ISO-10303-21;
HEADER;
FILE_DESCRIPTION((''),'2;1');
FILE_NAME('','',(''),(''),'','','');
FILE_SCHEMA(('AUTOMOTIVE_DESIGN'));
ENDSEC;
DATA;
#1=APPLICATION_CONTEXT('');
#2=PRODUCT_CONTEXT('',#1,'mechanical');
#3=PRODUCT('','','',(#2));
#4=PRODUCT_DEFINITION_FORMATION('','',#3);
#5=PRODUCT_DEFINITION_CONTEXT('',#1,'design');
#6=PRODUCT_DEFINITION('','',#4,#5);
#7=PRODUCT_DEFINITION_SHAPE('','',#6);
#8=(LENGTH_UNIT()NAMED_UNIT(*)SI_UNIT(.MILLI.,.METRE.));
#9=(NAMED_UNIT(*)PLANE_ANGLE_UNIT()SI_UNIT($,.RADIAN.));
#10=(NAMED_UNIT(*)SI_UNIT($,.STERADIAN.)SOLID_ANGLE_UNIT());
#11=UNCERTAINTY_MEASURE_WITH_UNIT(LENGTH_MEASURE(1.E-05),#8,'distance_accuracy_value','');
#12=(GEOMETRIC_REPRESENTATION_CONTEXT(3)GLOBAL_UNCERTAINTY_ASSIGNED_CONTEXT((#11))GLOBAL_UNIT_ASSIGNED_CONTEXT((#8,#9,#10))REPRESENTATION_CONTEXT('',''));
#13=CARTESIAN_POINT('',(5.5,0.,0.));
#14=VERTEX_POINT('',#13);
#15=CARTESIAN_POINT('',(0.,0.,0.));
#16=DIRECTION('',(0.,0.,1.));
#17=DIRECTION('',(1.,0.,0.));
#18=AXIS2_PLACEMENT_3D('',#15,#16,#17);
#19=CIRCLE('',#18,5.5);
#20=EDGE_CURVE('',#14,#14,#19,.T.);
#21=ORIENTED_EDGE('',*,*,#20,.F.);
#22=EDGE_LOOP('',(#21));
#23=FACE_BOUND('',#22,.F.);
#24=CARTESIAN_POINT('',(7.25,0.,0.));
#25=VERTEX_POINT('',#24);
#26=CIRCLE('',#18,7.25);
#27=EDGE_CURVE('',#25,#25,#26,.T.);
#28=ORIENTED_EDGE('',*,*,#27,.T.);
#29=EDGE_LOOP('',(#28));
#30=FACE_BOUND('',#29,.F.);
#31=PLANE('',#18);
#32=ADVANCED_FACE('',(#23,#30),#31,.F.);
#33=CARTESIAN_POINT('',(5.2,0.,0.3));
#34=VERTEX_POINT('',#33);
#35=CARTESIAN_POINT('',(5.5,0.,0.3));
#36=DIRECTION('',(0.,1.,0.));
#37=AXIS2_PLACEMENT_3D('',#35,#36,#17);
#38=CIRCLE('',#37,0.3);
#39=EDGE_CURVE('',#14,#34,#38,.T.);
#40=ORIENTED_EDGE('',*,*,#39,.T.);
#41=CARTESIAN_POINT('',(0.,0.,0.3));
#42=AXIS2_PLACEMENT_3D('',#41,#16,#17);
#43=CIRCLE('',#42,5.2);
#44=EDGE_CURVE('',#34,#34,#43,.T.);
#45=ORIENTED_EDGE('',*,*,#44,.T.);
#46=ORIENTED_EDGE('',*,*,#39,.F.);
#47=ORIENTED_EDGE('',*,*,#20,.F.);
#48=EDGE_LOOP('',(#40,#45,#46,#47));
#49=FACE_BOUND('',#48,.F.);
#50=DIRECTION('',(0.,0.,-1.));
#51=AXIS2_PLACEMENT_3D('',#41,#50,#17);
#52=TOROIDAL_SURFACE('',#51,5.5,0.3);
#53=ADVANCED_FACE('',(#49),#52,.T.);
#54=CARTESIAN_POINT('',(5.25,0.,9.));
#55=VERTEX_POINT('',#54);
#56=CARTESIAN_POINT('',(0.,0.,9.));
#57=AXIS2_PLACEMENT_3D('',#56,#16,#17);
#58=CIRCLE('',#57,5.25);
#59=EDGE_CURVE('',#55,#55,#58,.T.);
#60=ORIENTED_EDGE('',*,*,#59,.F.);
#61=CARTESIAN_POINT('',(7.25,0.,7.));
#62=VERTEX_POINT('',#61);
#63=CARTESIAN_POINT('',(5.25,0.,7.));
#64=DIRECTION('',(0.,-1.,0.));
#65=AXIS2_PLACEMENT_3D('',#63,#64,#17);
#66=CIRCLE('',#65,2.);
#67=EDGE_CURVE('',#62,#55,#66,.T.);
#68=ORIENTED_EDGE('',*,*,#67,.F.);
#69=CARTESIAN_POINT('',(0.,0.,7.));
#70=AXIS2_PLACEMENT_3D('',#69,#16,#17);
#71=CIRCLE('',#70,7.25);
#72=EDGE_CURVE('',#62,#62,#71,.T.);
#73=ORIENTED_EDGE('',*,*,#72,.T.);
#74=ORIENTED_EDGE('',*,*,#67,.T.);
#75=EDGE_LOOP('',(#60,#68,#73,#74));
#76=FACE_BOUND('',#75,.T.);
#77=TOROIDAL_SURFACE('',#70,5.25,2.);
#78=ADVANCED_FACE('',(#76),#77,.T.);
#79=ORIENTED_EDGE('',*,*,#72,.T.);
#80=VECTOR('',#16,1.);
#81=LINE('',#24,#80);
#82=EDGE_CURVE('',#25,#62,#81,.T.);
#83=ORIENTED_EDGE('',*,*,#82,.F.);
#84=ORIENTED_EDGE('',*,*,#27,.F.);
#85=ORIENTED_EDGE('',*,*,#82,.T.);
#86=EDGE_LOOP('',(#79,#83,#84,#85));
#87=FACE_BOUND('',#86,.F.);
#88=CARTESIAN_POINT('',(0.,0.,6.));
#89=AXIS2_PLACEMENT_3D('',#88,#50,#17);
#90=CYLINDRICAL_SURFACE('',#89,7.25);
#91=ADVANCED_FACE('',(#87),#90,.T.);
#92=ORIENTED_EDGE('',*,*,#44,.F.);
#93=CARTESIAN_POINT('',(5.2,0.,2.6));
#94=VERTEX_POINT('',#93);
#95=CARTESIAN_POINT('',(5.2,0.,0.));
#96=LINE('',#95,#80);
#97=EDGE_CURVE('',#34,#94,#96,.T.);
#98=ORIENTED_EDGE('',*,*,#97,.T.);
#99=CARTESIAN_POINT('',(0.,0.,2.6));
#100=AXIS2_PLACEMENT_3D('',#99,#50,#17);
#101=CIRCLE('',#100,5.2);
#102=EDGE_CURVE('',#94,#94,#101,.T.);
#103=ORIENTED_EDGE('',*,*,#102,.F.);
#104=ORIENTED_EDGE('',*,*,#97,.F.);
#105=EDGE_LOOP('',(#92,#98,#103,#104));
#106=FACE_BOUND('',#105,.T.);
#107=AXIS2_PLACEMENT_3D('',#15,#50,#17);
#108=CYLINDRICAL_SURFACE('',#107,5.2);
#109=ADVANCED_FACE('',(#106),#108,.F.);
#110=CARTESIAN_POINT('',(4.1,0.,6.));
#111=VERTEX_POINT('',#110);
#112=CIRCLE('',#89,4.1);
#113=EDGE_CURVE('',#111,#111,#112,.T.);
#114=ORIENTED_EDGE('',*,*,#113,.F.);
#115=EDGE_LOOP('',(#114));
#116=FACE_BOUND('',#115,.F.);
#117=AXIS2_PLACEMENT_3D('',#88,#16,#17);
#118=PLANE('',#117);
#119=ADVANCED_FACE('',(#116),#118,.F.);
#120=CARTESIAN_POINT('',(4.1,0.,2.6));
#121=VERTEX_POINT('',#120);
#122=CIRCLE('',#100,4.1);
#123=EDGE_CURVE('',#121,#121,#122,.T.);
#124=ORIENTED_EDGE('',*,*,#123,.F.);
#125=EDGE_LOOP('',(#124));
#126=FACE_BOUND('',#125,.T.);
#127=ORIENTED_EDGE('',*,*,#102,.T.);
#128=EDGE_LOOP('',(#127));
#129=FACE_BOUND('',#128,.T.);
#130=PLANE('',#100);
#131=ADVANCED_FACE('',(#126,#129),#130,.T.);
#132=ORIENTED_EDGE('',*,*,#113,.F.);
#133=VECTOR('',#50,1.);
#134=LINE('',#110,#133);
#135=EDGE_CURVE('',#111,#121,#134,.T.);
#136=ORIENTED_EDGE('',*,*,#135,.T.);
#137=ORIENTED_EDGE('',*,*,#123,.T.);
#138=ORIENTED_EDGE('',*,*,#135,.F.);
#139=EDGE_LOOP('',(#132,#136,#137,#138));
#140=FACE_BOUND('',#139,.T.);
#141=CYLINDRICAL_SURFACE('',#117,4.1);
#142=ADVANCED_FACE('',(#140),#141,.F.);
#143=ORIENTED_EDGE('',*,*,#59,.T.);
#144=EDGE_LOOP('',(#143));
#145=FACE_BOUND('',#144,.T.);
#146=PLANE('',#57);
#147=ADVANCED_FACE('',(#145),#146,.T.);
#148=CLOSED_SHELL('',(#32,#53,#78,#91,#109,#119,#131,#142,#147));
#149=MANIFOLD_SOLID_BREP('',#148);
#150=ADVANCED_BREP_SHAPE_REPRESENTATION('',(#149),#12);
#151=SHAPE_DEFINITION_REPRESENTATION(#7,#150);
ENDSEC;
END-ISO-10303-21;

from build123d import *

# Parameters (mm, degrees)
SKETCH_R      = 7.25
SKETCH_R_2    = 5.2
PAD_DEPTH     = 6
SKETCH001_R   = 7.25
PAD001_DEPTH  = 3
FILLET_R      = 2
FILLET001_R   = 0.3
SKETCH002_R   = 5.2
SKETCH002_R_2 = 4.1
PAD002_DEPTH  = 3.4


with BuildPart() as part:
    # Sketch → Pad (new body)
    with BuildSketch(Plane.XY):
        Circle(SKETCH_R)
        Circle(SKETCH_R_2, mode=Mode.SUBTRACT)
    extrude(amount=PAD_DEPTH)

    # Sketch001 (on Face4 of Pad) → Pad001 (join)
    with BuildSketch(Plane.XY.offset(6)):
        Circle(SKETCH001_R)
    extrude(amount=PAD001_DEPTH)

    # Fillet
    fillet_edges = [part.edges().sort_by_distance(p)[0] for p in [
        (-7.25, 0, 9),
    ]]
    fillet(fillet_edges, radius=FILLET_R)

    # Fillet001
    fillet001_edges = [part.edges().sort_by_distance(p)[0] for p in [
        (-5.2, 0, 0),
    ]]
    fillet(fillet001_edges, radius=FILLET001_R)

    # Sketch002 (on Face6 of Fillet001) → Pad002 (join)
    with BuildSketch(Plane(origin=(0, 0, 6), x_dir=(1, 0, 0), z_dir=(0, 0, -1))):
        Circle(SKETCH002_R)
        Circle(SKETCH002_R_2, mode=Mode.SUBTRACT)
    extrude(amount=PAD002_DEPTH)


solid = part.part
